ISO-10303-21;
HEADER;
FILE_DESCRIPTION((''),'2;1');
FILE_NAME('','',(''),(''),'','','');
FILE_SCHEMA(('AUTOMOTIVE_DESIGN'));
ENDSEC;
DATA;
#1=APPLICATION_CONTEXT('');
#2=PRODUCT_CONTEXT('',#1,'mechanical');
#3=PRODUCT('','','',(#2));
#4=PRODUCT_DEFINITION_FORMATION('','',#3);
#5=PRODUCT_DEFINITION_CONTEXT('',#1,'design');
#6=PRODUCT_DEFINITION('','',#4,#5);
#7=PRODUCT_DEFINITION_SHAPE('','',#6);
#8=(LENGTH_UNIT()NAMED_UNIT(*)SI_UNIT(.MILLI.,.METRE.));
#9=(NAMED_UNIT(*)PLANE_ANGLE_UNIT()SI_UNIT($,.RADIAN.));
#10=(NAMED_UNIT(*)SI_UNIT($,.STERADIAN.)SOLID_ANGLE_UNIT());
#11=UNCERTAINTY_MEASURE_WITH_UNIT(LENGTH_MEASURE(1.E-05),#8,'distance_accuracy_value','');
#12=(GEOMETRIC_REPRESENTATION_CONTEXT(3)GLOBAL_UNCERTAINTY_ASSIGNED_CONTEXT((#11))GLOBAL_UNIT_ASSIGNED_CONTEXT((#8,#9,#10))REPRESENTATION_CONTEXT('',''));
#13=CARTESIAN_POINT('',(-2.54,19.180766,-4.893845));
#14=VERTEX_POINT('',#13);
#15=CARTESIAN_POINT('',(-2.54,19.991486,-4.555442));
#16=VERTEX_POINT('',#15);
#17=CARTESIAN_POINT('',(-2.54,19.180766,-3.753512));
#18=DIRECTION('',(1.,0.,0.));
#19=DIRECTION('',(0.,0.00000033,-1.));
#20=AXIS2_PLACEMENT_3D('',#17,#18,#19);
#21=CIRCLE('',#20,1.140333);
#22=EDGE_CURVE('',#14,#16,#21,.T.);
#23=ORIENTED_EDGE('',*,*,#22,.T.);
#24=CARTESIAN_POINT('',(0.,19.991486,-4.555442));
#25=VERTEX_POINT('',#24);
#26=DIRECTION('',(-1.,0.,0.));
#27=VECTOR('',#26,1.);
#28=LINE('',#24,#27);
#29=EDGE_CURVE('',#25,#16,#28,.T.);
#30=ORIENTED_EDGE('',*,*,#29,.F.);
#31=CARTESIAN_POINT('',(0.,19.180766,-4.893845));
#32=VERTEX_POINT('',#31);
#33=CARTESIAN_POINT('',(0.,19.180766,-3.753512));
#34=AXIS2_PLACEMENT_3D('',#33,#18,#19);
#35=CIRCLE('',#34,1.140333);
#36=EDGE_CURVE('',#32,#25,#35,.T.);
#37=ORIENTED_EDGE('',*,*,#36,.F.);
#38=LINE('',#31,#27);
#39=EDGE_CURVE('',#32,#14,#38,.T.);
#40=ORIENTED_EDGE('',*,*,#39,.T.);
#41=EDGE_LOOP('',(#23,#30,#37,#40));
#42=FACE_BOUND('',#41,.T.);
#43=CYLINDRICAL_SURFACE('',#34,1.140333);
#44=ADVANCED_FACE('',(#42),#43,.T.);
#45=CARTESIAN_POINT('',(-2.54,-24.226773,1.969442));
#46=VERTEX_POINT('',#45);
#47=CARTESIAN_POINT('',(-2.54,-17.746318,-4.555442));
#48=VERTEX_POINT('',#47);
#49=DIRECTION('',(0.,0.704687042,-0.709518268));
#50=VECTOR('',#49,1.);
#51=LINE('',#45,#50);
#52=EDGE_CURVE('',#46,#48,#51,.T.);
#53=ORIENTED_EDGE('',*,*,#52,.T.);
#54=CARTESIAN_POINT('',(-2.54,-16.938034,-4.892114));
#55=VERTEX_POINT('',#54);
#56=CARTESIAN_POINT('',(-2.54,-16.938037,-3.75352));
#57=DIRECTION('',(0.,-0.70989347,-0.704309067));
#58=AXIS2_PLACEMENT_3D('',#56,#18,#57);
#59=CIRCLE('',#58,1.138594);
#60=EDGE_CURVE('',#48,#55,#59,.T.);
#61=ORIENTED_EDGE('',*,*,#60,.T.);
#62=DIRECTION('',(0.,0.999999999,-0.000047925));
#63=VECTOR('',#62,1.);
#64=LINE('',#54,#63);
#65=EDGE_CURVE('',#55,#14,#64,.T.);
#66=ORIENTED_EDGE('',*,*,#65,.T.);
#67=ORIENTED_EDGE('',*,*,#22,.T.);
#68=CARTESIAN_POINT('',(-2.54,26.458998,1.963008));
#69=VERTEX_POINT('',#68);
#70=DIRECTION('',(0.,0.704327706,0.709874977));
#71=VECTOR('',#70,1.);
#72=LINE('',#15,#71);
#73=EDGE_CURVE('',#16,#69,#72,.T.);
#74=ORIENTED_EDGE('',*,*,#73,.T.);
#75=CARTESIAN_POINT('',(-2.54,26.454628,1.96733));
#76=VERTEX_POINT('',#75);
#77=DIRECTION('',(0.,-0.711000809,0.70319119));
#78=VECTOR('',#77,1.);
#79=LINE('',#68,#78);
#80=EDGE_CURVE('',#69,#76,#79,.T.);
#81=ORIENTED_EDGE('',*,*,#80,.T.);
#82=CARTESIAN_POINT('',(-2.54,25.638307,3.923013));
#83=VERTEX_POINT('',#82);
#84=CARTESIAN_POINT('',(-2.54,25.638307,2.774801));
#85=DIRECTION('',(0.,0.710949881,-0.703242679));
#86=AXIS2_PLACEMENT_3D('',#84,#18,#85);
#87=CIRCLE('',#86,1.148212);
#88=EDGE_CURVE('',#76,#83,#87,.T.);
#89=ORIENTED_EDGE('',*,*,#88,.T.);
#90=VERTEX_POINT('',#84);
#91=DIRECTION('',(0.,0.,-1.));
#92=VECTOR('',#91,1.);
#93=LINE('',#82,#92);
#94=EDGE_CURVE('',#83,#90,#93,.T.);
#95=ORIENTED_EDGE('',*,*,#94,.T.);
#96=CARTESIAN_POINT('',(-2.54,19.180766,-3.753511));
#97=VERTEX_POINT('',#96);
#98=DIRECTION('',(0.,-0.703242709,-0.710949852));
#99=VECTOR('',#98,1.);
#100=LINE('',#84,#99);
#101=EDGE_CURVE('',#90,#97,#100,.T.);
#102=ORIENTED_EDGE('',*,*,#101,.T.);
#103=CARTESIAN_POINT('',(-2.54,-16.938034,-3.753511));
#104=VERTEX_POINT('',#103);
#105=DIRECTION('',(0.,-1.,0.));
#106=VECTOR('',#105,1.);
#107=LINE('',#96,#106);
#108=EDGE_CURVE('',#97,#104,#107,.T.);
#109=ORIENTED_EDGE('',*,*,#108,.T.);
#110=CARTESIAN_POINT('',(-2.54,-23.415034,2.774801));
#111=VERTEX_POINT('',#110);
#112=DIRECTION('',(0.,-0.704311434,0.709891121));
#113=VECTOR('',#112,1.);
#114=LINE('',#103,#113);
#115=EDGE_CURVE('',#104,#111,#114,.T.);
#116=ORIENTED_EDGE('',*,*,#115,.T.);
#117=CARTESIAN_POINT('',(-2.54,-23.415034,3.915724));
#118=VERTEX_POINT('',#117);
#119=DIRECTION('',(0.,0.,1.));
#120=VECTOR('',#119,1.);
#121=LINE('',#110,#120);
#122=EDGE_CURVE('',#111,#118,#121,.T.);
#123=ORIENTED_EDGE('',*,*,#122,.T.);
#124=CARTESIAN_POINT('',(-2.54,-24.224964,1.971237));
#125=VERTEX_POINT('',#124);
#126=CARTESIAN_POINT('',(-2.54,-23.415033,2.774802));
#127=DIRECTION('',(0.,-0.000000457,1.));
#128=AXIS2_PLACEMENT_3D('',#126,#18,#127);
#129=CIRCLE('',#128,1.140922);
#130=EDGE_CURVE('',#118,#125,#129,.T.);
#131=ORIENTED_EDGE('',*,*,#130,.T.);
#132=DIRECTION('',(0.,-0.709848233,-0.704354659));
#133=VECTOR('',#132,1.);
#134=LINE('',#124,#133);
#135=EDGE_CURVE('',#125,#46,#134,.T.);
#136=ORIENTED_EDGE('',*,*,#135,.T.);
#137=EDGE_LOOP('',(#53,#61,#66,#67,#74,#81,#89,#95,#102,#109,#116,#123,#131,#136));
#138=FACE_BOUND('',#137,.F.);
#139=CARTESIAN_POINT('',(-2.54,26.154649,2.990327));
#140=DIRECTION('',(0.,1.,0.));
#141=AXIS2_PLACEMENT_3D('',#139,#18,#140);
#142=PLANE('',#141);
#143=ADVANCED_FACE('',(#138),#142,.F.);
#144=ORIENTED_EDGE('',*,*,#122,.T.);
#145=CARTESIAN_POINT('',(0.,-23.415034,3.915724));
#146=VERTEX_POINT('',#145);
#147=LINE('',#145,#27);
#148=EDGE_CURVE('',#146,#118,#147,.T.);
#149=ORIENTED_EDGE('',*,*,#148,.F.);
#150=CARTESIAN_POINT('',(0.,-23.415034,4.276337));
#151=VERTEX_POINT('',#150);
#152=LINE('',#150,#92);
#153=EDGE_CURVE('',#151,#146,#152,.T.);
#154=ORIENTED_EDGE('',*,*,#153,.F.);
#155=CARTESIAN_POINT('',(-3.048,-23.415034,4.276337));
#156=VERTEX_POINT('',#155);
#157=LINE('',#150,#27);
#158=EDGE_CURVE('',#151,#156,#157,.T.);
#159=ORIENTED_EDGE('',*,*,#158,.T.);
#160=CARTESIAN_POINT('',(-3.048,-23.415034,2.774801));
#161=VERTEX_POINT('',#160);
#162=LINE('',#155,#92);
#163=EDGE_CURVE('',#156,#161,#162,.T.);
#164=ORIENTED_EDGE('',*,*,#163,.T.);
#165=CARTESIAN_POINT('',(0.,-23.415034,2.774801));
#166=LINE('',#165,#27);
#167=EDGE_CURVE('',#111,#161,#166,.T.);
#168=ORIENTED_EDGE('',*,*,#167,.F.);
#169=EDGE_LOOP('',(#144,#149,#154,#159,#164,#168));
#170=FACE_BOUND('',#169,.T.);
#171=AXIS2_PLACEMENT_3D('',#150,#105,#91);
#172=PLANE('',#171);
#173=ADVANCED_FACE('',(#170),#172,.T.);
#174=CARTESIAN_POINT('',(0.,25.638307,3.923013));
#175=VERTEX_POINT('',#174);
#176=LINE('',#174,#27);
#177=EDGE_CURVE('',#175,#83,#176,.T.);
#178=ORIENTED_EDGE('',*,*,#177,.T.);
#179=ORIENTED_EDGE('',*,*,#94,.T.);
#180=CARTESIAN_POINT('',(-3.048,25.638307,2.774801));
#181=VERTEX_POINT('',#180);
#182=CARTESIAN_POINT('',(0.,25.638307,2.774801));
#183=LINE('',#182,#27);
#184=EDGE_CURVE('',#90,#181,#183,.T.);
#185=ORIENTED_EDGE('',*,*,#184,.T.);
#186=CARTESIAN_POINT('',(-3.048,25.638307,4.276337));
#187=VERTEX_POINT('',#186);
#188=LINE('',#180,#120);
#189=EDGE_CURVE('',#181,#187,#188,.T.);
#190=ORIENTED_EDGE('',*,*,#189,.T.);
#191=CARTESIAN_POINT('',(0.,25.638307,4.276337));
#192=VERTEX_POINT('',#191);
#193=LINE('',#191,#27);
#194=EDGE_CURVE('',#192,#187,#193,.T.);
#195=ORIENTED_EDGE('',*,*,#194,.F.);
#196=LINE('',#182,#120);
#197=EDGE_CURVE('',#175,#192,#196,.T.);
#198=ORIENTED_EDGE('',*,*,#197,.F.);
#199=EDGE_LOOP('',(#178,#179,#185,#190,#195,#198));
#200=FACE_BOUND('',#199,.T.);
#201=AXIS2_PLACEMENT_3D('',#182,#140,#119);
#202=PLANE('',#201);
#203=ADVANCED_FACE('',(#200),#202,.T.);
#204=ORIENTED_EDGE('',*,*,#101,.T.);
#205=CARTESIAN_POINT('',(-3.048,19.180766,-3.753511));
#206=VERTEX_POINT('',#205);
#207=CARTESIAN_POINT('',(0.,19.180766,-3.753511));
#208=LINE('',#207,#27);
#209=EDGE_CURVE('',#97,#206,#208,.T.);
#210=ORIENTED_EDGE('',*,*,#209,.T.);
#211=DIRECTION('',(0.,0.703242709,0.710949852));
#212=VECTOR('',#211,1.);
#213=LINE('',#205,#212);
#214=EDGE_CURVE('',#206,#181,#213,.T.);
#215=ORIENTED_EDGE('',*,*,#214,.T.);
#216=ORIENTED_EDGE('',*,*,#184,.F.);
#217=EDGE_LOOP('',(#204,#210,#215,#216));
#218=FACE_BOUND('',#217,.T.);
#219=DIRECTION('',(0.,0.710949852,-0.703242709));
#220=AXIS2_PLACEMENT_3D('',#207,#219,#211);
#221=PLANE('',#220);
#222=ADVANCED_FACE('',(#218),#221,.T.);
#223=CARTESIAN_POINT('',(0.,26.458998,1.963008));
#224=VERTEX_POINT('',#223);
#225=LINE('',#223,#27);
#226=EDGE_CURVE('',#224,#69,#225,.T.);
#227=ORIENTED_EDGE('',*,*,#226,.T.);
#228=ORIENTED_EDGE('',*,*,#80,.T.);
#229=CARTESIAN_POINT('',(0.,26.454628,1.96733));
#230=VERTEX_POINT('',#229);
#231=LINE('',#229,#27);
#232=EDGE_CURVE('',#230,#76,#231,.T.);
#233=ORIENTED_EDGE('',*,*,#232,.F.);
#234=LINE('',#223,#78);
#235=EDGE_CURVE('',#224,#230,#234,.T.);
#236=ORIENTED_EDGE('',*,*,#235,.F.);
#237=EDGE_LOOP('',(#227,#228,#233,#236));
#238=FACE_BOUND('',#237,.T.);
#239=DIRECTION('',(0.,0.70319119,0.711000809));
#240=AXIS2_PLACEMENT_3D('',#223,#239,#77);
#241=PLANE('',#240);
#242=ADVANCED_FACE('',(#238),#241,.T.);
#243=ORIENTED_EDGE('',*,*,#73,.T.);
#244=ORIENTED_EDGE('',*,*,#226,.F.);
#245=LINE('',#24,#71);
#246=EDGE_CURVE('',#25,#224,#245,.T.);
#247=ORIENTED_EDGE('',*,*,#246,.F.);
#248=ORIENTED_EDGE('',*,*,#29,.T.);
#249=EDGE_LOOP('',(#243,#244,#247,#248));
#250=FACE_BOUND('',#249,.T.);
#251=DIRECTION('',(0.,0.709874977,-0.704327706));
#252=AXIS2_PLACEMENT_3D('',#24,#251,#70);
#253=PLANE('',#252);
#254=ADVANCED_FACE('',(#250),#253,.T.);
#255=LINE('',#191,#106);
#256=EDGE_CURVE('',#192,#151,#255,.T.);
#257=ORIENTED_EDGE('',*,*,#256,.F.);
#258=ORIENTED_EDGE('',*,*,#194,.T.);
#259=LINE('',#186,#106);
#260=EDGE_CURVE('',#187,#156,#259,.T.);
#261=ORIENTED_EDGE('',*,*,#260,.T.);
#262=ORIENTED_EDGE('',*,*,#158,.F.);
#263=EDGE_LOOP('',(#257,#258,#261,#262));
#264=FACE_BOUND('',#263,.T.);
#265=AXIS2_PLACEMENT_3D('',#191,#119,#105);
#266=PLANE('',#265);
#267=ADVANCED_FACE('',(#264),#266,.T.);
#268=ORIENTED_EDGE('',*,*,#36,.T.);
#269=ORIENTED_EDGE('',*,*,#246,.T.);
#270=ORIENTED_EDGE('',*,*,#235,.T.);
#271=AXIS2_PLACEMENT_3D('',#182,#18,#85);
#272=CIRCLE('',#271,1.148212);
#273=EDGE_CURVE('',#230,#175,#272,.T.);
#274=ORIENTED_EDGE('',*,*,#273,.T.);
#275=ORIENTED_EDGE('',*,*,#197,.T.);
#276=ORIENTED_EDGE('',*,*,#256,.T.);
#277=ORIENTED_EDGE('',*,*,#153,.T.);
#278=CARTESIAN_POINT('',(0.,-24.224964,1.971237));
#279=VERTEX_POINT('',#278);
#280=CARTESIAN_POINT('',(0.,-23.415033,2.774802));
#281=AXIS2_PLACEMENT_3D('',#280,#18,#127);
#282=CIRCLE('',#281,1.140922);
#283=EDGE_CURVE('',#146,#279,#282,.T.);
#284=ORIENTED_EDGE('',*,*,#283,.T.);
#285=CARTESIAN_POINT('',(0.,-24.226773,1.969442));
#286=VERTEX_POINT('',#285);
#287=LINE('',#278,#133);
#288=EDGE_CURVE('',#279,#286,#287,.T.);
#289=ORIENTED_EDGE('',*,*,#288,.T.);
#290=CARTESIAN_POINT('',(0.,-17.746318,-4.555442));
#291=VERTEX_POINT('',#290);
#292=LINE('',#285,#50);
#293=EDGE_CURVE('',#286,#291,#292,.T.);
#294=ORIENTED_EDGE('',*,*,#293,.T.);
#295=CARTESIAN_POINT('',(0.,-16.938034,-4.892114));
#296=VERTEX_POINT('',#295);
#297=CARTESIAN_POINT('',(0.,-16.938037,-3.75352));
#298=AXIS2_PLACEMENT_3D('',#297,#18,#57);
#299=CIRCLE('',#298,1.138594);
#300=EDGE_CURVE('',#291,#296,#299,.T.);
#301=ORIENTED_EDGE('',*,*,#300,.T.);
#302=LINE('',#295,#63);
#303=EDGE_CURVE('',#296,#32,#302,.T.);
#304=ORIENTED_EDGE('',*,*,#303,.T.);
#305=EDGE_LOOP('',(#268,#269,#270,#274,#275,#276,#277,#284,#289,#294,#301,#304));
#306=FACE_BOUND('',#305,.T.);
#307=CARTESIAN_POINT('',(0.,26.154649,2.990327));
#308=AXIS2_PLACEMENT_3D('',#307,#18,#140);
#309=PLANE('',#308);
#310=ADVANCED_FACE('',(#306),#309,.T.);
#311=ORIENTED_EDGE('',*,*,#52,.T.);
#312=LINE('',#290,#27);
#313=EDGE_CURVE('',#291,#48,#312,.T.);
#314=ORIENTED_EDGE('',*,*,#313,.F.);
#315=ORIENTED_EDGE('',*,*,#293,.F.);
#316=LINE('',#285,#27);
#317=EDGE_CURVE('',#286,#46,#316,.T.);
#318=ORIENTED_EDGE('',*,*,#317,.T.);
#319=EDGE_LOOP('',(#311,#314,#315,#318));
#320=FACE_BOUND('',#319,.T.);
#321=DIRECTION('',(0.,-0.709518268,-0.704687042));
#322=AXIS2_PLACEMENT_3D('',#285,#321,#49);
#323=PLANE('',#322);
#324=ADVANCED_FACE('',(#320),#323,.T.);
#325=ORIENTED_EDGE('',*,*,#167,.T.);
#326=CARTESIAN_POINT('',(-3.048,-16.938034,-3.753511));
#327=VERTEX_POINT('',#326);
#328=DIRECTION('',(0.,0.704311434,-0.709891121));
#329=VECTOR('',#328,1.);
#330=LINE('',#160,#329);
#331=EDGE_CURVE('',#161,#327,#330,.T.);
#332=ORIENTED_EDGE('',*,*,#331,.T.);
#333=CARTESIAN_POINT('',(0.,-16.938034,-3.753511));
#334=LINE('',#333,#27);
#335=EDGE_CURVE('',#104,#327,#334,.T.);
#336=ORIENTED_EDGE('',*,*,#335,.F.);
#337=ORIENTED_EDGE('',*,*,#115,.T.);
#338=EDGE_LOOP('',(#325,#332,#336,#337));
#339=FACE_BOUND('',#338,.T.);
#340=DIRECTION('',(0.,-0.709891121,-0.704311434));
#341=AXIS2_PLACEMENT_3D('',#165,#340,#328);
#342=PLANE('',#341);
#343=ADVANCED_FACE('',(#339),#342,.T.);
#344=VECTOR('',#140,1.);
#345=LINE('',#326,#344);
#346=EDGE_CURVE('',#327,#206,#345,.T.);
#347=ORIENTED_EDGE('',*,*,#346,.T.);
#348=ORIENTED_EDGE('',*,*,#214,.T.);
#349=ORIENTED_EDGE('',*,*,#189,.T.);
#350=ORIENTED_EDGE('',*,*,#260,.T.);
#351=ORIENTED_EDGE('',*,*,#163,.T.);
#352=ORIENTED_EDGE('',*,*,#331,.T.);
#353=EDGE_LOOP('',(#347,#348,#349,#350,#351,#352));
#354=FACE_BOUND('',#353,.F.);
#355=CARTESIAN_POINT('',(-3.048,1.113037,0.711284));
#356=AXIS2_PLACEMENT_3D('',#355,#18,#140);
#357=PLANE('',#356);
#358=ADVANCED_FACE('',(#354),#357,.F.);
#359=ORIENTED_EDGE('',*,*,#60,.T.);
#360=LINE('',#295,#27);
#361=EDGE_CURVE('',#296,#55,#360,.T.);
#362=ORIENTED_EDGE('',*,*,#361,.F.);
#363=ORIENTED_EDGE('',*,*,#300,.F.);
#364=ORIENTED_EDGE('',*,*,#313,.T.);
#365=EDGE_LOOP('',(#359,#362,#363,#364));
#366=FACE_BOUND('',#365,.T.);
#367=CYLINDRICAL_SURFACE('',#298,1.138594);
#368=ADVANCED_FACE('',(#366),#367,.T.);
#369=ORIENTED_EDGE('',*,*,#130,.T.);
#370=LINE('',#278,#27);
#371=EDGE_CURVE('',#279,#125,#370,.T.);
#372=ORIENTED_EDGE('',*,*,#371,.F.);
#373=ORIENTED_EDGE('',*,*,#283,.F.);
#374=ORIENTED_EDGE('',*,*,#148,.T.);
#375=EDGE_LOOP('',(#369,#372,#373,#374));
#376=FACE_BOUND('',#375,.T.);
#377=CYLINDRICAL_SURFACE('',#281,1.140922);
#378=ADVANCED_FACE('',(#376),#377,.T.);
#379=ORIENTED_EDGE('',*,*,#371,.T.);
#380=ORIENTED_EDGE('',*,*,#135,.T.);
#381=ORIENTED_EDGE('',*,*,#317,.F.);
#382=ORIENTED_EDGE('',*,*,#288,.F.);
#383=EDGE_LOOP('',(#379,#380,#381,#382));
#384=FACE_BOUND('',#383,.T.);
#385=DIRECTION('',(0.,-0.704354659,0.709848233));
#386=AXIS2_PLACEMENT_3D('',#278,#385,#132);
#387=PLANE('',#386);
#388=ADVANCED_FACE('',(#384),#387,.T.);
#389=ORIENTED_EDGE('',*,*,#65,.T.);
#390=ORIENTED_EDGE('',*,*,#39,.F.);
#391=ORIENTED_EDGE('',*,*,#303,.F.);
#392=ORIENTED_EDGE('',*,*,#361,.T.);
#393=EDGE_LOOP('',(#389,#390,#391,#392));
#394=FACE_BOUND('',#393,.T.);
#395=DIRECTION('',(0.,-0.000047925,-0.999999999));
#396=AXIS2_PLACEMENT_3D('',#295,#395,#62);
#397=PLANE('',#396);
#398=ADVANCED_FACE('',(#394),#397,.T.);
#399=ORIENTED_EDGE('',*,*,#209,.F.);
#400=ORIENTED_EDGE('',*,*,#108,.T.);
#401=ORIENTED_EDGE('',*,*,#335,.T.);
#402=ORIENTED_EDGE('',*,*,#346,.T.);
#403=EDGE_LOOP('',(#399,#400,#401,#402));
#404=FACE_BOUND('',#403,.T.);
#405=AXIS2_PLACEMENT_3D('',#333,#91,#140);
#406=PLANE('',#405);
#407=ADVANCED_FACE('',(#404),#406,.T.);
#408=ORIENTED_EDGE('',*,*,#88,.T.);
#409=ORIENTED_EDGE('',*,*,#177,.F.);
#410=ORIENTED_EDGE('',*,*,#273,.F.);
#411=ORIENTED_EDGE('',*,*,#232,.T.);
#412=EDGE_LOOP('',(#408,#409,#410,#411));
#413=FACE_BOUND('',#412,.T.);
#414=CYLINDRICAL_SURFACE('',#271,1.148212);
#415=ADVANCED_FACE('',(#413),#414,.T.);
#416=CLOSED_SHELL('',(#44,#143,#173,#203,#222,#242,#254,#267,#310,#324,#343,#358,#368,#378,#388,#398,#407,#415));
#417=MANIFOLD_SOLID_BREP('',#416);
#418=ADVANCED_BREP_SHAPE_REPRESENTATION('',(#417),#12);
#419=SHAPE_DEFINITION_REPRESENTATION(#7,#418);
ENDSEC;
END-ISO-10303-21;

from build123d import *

# Parameters (mm, degrees)
F1_DEPTH = 3.048
F2_DEPTH = 2.54


with BuildPart() as f1:
    # F0 (on Right) → F1 (new body)
    with BuildSketch(Plane.YZ):
        Polygon((-16.938034, -3.753511), (1.121366, -3.753511), (19.180766, -3.753511), (25.638307, 2.774801), (25.638307, 3.923013), (25.638307, 4.276337), (1.121366, 4.276337), (-23.415034, 4.276337), (-23.415034, 3.915724), (-23.415034, 2.774801), align=None)
    extrude(amount=-F1_DEPTH)

    # F0 (on Right) → F2 (join)
    with BuildSketch(Plane.YZ):
        with BuildLine():
            Line((25.638307, 3.923013), (25.638307, 2.774801))
            Line((25.638307, 2.774801), (26.454628, 1.96733))
            ThreePointArc((26.454628, 1.96733), (26.697915, 3.217092), (25.638307, 3.923013))
        make_face()
        Polygon((25.638307, 2.774801), (19.180766, -3.753511), (19.991486, -4.555442), (26.458998, 1.963008), (26.454628, 1.96733), align=None)
        with BuildLine():
            Line((19.180766, -3.753511), (1.121366, -3.753511))
            Line((1.121366, -3.753511), (-16.938034, -3.753511))
            Line((-16.938034, -3.753511), (-17.746318, -4.555442))
            ThreePointArc((-17.746318, -4.555442), (-17.375833, -4.804582), (-16.938034, -4.892114))
            Line((-16.938034, -4.892114), (19.180766, -4.893845))
            ThreePointArc((19.180766, -4.893845), (19.620022, -4.805849), (19.991486, -4.555442))
            Line((19.991486, -4.555442), (19.180766, -3.753511))
        make_face()
        Polygon((-17.746318, -4.555442), (-16.938034, -3.753511), (-23.415034, 2.774801), (-24.224964, 1.971237), (-24.226773, 1.969442), align=None)
        with BuildLine():
            Line((-24.224964, 1.971237), (-23.415034, 2.774801))
            Line((-23.415034, 2.774801), (-23.415034, 3.915724))
            ThreePointArc((-23.415034, 3.915724), (-24.468245, 3.213492), (-24.224964, 1.971237))
        make_face()
    extrude(amount=-F2_DEPTH)


solid = f1.part
